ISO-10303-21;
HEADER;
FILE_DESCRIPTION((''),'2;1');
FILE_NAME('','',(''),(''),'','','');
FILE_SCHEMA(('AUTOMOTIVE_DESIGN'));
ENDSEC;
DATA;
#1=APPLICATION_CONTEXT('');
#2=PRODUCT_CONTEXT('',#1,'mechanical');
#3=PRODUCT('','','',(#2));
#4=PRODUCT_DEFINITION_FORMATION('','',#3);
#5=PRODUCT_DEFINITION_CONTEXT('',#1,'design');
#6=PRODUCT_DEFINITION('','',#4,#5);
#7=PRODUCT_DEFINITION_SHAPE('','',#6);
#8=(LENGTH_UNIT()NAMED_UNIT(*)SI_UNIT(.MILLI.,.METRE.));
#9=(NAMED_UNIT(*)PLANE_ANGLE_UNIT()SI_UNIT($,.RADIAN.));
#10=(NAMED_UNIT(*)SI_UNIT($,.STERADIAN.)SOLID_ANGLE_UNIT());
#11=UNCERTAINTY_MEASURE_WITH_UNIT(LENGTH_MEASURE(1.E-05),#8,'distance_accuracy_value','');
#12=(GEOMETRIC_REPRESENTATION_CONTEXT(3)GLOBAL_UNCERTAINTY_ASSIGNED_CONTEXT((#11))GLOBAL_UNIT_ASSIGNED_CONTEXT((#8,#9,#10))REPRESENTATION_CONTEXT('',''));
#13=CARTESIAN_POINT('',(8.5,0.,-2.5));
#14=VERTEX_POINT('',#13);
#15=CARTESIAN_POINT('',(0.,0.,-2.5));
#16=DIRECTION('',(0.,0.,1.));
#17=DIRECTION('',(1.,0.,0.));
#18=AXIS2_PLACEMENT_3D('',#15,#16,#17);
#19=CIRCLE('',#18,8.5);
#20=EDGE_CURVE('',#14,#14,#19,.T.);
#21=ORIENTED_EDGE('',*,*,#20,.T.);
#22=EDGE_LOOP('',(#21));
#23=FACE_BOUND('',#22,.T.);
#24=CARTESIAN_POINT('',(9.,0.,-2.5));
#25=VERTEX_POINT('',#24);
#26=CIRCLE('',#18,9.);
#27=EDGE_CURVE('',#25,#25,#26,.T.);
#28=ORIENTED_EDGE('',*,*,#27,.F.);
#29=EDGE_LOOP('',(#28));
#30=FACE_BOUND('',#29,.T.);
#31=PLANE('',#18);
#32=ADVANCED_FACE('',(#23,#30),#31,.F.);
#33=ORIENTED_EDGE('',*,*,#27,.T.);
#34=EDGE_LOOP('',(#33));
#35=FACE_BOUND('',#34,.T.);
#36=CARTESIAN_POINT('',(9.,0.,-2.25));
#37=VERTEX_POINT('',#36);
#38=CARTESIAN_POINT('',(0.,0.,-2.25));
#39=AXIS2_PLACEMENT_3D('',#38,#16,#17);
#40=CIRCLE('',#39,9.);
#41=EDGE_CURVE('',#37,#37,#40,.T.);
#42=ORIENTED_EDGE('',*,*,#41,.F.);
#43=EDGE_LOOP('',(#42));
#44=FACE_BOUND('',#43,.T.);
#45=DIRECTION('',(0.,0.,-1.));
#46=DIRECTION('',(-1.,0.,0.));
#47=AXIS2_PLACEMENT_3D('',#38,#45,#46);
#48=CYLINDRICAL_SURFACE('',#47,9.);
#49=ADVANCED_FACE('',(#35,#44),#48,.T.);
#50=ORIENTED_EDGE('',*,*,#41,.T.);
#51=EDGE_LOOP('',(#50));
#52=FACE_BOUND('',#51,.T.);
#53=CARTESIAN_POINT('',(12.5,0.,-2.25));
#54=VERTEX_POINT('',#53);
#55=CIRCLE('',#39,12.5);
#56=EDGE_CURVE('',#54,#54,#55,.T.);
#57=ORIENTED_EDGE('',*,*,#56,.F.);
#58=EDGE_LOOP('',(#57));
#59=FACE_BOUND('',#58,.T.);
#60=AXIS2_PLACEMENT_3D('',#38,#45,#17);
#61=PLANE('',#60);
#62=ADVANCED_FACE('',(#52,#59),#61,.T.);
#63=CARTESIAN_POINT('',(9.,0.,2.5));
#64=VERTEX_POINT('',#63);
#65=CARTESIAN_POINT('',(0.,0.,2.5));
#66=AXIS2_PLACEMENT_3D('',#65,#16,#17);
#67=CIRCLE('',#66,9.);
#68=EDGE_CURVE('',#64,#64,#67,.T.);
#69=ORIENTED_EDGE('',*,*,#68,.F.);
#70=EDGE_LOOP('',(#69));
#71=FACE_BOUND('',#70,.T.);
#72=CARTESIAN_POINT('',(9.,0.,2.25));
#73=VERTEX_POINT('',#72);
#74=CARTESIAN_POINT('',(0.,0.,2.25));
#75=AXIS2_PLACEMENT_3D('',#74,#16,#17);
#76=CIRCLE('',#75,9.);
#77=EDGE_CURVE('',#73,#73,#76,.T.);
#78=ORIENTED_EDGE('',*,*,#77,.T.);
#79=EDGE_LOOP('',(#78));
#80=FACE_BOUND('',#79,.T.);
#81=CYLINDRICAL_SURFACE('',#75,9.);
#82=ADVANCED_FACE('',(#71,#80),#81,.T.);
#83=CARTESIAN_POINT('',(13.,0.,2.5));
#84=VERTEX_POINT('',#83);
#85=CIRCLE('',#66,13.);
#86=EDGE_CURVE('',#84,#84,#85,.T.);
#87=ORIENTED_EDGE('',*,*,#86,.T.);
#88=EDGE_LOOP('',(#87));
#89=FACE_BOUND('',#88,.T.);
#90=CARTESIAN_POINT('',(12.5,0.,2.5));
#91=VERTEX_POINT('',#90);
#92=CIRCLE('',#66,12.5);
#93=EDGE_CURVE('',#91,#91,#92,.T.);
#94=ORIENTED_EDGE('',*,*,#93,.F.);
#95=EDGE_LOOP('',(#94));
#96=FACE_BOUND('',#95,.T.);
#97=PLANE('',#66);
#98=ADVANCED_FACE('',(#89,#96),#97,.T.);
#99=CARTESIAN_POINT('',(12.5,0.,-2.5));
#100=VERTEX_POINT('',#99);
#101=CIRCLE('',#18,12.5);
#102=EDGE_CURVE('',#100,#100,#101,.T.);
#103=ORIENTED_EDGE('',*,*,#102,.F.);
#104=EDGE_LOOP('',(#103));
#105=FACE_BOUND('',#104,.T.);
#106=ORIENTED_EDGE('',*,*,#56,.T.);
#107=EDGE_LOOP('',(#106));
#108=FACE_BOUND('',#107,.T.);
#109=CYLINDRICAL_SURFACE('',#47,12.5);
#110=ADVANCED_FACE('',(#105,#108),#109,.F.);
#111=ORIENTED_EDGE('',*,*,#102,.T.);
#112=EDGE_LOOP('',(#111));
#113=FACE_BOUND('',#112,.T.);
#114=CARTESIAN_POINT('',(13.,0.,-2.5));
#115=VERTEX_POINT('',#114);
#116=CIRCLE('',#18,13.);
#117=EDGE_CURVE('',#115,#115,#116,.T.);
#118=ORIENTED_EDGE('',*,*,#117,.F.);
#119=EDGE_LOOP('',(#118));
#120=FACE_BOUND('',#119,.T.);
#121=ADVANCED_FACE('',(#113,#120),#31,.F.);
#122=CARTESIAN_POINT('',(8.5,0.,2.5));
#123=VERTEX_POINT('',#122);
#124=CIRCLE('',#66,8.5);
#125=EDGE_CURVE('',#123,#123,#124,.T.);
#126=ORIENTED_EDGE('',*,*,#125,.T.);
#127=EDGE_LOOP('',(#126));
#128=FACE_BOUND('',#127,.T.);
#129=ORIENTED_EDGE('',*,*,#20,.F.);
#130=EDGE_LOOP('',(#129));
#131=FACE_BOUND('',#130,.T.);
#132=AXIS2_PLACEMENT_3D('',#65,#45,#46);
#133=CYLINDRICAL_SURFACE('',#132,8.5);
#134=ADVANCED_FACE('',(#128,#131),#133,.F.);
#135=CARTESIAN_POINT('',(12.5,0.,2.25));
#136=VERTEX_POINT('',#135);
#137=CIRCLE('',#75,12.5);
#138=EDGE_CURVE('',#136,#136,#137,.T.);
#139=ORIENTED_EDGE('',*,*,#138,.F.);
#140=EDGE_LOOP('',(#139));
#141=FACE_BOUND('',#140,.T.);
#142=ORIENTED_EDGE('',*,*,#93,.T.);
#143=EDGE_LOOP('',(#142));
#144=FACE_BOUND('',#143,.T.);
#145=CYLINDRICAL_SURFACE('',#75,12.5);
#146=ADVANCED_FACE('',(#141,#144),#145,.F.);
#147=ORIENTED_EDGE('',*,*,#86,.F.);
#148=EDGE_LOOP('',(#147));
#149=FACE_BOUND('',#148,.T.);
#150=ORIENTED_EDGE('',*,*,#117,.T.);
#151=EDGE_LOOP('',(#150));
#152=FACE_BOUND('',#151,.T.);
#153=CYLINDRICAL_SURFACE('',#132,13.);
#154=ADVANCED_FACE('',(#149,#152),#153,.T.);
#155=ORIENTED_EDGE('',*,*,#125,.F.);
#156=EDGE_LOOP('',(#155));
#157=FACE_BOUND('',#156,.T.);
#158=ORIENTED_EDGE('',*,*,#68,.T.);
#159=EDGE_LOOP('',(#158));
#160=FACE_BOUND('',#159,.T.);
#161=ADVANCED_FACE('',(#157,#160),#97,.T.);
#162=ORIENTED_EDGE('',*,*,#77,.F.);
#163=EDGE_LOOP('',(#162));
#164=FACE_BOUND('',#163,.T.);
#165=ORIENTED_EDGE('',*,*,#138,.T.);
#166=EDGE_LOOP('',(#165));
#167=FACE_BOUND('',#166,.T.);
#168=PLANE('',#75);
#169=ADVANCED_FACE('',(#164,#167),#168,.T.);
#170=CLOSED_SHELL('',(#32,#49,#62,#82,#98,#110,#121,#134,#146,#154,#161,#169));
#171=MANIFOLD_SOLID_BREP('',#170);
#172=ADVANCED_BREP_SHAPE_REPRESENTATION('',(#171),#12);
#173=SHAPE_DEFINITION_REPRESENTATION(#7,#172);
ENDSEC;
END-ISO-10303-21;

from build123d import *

# Parameters (mm, degrees)
SKETCH1_R           = 13
SKETCH1_R_2         = 8.5
BOSS_EXTRUDE1_DEPTH = 2.5
SKETCH2_R           = 12.5
SKETCH2_R_2         = 9
CUT_EXTRUDE1_DEPTH  = 0.25


with BuildPart() as part:
    # Sketch1 → Boss-Extrude1 (new, symmetric)
    with BuildSketch(Plane.XY):
        Circle(SKETCH1_R)
        Circle(SKETCH1_R_2, mode=Mode.SUBTRACT)
    extrude(amount=BOSS_EXTRUDE1_DEPTH, both=True)

    # Sketch2 → Cut-Extrude1 (cut)
    with BuildSketch(Plane.XY.offset(2.5)):
        Circle(SKETCH2_R)
        Circle(SKETCH2_R_2, mode=Mode.SUBTRACT)
    cut_extrude1 = extrude(amount=-CUT_EXTRUDE1_DEPTH, mode=Mode.SUBTRACT)

    # Mirror1: Cut-Extrude1 across plane
    add(cut_extrude1.mirror(Plane.XY), mode=Mode.SUBTRACT)


solid = part.part
